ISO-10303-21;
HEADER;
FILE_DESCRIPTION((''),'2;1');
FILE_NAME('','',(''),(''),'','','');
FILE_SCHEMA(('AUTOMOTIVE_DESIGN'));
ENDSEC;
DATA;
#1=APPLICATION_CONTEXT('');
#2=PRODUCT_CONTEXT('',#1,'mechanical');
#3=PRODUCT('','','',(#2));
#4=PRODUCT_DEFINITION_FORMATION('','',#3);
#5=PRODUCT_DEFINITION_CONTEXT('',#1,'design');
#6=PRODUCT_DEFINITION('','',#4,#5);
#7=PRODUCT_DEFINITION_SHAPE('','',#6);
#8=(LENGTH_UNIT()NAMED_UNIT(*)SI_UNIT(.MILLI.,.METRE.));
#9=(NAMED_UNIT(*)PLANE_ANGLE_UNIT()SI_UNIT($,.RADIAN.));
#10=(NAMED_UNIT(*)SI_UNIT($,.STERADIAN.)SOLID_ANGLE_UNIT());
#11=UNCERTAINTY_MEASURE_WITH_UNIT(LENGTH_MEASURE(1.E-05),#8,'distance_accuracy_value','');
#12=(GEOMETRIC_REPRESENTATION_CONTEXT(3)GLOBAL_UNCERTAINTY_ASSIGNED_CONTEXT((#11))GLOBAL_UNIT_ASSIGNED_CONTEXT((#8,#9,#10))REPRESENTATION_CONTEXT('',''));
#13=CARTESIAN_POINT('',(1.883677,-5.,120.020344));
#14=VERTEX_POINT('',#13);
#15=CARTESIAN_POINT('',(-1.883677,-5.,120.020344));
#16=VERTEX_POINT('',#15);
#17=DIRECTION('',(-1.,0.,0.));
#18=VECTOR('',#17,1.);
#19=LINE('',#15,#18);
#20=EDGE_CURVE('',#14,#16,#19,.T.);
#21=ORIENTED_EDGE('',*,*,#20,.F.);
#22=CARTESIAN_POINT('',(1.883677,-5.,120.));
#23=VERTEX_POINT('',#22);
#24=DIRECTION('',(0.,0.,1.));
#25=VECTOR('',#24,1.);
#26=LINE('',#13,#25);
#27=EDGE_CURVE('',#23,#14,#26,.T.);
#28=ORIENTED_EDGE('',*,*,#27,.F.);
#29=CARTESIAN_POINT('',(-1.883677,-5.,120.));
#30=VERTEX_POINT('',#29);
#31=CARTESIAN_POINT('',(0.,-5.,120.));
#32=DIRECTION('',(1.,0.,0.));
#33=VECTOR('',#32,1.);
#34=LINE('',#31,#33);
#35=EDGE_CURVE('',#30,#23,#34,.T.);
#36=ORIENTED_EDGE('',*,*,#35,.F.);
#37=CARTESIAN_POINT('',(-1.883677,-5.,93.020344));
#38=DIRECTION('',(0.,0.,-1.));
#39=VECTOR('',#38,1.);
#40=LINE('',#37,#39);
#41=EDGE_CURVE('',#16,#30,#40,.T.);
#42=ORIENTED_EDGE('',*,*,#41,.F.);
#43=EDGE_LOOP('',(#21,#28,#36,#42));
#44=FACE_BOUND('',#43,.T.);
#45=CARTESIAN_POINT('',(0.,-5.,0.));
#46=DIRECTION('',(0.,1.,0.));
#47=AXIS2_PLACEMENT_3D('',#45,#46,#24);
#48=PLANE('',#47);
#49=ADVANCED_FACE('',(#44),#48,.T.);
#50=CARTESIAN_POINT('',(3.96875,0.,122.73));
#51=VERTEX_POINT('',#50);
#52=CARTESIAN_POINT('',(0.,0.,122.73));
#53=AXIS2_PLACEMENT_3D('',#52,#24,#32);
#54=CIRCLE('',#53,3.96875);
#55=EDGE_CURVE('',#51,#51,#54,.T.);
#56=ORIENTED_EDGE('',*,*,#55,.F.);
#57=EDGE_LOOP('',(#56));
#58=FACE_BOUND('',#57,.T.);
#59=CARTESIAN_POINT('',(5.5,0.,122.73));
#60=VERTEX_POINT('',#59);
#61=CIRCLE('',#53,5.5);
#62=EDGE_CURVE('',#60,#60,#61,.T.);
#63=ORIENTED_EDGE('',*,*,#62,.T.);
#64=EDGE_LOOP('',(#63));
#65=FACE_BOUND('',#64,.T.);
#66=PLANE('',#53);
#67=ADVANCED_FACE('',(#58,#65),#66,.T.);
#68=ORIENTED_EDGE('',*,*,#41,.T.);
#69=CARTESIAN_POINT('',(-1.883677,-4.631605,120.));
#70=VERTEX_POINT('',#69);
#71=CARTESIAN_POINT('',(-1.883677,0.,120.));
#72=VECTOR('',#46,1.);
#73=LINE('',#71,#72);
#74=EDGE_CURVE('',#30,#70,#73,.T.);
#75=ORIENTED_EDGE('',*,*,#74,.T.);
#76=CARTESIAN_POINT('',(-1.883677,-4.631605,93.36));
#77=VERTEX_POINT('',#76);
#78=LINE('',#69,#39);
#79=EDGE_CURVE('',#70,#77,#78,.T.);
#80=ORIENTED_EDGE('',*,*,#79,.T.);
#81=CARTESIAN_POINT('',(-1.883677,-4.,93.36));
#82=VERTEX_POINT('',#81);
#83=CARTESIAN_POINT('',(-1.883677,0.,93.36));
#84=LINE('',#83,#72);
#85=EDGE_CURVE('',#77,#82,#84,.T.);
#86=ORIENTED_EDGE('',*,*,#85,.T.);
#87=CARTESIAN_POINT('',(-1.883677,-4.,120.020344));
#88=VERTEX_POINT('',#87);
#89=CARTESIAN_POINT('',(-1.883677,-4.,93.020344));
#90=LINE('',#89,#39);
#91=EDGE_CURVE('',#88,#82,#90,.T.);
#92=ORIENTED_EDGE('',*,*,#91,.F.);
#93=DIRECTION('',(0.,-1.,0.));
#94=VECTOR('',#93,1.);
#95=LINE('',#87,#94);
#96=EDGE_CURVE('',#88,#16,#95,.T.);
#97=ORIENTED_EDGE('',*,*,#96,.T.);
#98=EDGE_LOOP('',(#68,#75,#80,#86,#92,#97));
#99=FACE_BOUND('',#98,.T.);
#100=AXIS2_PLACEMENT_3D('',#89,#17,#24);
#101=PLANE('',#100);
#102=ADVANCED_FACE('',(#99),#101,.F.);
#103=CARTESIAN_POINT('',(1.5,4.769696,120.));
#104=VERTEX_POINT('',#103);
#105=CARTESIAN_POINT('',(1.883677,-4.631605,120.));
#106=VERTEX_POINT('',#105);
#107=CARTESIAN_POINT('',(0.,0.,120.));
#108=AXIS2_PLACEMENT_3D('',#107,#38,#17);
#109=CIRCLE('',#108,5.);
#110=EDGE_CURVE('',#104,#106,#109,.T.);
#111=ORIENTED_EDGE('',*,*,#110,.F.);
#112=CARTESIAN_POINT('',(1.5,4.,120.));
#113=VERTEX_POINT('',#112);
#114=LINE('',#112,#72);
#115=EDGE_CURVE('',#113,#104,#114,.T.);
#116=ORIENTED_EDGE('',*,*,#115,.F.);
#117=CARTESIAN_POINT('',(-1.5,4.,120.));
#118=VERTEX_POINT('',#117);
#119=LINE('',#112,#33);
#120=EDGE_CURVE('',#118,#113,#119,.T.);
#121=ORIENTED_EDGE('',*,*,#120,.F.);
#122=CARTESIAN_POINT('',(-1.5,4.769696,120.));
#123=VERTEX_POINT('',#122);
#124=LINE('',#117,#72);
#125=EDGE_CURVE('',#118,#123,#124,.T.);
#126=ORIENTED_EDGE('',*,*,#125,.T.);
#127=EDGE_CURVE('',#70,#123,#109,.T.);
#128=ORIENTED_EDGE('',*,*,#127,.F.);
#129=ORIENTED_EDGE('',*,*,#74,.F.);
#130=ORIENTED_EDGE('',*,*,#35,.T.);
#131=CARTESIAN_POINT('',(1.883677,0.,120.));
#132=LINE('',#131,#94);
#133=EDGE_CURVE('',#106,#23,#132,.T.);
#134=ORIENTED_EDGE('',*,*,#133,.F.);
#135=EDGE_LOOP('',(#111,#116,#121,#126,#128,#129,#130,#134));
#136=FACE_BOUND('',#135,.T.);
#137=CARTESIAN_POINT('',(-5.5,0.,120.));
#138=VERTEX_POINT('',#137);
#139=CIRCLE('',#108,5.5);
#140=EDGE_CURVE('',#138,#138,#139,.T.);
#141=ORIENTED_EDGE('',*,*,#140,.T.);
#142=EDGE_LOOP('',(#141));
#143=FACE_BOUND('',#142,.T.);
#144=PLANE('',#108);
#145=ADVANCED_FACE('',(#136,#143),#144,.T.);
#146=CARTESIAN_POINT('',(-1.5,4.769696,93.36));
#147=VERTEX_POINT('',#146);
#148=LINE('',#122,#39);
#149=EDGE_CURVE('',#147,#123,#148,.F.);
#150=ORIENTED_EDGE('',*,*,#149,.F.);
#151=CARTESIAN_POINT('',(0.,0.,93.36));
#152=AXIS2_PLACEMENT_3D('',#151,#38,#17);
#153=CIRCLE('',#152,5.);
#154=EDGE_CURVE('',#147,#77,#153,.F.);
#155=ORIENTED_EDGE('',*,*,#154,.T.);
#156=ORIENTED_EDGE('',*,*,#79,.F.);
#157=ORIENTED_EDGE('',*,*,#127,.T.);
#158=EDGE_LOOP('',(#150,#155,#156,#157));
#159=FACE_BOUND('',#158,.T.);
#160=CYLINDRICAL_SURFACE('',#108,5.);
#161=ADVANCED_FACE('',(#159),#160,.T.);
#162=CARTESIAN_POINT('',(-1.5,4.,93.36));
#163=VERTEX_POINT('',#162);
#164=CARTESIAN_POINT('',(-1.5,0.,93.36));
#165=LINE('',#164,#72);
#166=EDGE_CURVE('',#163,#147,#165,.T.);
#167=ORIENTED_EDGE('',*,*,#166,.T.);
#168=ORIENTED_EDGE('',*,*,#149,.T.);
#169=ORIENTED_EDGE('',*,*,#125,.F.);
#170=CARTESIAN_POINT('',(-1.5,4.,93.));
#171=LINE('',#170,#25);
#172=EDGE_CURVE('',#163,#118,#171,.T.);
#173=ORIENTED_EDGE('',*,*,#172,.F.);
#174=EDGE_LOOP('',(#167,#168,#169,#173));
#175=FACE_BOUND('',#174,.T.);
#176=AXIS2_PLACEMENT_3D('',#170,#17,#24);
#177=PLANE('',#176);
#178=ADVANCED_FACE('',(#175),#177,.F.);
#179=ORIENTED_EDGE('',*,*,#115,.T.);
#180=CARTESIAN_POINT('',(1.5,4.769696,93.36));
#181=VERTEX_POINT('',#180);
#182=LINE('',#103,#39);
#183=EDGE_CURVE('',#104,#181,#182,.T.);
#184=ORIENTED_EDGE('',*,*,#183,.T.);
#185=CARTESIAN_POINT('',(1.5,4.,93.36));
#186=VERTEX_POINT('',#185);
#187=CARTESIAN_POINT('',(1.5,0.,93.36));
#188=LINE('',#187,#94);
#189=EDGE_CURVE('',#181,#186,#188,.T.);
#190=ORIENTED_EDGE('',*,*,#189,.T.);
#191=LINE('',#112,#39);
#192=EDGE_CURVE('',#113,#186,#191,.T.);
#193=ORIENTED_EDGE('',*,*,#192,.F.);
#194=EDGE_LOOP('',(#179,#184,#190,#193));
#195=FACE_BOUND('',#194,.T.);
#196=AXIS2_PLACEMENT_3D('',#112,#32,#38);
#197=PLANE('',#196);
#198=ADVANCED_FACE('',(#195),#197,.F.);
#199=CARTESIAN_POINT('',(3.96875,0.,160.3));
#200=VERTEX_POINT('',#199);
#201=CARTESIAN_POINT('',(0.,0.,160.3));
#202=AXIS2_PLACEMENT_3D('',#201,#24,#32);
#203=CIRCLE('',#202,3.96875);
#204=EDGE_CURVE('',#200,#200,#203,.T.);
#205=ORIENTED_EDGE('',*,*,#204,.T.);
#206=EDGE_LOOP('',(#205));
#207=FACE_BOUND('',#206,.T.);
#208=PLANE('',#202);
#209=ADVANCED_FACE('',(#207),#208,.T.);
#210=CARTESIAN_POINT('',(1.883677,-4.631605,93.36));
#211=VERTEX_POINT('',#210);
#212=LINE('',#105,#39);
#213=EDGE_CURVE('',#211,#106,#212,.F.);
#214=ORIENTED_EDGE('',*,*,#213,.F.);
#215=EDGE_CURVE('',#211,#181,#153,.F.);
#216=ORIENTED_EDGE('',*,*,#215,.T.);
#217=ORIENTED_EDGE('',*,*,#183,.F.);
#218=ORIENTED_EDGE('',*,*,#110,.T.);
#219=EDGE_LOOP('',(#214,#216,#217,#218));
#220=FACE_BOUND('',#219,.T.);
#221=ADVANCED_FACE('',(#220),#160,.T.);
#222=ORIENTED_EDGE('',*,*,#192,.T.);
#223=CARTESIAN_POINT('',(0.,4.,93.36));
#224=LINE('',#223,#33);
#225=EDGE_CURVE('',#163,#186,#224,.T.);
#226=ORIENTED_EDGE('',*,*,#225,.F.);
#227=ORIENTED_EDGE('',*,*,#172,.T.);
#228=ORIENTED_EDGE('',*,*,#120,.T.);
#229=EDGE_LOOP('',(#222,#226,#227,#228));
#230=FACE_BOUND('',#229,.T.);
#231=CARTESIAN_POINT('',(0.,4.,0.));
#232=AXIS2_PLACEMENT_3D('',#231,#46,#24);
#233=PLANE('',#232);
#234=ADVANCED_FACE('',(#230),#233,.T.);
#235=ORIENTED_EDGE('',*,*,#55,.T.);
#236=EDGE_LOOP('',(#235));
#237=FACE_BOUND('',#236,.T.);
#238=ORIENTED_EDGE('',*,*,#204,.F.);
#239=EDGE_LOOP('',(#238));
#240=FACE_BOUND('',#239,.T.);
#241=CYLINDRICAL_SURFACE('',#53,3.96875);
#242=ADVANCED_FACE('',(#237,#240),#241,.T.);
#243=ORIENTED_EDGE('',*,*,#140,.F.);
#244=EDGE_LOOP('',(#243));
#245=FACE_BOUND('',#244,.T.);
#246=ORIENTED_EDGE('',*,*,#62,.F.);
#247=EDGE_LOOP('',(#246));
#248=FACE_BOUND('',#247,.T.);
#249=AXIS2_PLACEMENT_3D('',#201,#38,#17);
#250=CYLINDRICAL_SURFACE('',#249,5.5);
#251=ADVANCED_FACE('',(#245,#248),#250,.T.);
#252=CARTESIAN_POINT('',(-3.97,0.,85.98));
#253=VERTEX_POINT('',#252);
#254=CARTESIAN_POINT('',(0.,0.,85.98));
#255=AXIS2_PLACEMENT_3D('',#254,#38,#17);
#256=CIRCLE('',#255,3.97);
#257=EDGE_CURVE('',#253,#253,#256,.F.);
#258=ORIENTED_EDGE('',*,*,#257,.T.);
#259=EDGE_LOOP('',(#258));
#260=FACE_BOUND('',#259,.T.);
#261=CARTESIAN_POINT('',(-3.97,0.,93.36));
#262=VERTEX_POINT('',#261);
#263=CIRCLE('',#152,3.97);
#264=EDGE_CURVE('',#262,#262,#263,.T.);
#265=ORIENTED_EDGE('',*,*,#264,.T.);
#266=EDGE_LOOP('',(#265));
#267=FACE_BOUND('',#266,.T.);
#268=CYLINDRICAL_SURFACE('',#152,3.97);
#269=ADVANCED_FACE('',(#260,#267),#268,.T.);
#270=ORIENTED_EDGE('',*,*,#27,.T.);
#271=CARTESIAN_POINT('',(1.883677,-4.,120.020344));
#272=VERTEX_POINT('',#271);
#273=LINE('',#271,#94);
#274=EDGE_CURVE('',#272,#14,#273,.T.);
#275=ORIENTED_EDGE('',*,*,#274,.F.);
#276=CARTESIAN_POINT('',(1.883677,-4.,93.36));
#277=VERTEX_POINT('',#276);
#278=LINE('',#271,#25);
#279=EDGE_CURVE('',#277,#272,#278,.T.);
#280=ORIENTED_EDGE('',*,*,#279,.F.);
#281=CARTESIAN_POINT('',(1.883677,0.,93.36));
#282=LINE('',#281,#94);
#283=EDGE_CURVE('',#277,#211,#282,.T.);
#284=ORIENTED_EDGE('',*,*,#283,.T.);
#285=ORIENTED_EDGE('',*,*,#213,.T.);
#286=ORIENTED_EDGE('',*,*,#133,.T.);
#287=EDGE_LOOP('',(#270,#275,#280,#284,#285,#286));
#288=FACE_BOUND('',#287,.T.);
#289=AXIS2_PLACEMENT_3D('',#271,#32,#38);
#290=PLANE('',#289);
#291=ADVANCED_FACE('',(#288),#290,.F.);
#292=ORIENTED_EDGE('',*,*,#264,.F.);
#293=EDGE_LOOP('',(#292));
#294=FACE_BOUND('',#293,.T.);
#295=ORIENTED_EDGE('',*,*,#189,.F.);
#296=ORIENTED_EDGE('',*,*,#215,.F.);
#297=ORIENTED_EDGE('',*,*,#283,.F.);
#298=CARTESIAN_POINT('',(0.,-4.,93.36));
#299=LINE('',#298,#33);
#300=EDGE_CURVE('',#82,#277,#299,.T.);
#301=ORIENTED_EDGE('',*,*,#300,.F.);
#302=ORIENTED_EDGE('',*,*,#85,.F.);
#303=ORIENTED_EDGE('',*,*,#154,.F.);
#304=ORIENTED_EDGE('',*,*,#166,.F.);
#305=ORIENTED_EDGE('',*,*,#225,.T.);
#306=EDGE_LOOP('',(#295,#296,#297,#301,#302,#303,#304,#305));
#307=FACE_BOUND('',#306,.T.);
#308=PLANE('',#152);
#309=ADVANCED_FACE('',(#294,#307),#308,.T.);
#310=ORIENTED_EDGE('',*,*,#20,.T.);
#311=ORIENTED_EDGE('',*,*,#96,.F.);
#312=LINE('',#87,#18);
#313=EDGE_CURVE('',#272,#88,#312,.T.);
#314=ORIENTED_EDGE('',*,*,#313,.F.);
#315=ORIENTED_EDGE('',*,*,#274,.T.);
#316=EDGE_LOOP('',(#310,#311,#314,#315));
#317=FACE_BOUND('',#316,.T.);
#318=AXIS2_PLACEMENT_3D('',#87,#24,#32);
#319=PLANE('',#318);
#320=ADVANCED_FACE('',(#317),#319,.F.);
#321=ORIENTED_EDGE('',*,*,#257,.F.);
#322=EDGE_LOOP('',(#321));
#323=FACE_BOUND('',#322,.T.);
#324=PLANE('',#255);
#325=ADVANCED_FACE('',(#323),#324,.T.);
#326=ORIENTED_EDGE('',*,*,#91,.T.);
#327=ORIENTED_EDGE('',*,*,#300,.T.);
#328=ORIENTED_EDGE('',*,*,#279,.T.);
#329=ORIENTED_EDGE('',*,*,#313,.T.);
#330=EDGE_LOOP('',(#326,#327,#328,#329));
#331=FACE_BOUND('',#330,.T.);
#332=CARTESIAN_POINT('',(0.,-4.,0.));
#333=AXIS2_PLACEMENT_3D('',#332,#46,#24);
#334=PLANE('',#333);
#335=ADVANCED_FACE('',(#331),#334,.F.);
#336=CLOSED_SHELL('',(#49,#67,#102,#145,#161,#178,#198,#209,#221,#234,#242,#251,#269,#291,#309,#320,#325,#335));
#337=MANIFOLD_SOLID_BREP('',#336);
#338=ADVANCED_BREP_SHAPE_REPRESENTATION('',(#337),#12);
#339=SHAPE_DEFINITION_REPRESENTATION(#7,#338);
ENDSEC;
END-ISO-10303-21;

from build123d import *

# Parameters (mm, degrees)
SKETCH1_R           = 5.5
BOSS_EXTRUDE1_DEPTH = 160.3
SKETCH3_OUTSIDE_W   = 45.21
SKETCH3_OUTSIDE_H   = 45.21
SKETCH3_OUTSIDE_R   = 5
CUT_EXTRUDE2_DEPTH  = 120
SKETCH4_OUTSIDE_W   = 45.21
SKETCH4_OUTSIDE_H   = 45.21
SKETCH4_OUTSIDE_R   = 3.96875
CUT_EXTRUDE3_DEPTH  = 37.57
SKETCH5_OUTSIDE_W   = 45.21
SKETCH5_OUTSIDE_H   = 45.21
SKETCH5_OUTSIDE_R   = 3.97
CUT_EXTRUDE4_DEPTH  = 93.36
SKETCH9_W           = 3
SKETCH9_H           = 27
CUT_EXTRUDE6_DEPTH  = 1
SKETCH11_W          = 3.767354336
SKETCH11_H          = 27
CUT_EXTRUDE7_DEPTH  = 1
SKETCH12_R          = 15.914705016
CUT_EXTRUDE8_DEPTH  = 85.98


with BuildPart() as part:
    # Sketch1 → Boss-Extrude1 (new body)
    with BuildSketch(Plane.XY):
        Circle(SKETCH1_R)
    extrude(amount=BOSS_EXTRUDE1_DEPTH)

    # Sketch3 outside → Cut-Extrude2 (cut)
    with BuildSketch(Plane(origin=(0, 0, 0), x_dir=(-1, 0, 0), z_dir=(0, 0, -1))):
        Rectangle(SKETCH3_OUTSIDE_W, SKETCH3_OUTSIDE_H)
        Circle(SKETCH3_OUTSIDE_R, mode=Mode.SUBTRACT)
    extrude(amount=-CUT_EXTRUDE2_DEPTH, mode=Mode.SUBTRACT)

    # Sketch4 outside → Cut-Extrude3 (cut)
    with BuildSketch(Plane.XY.offset(160.3)):
        Rectangle(SKETCH4_OUTSIDE_W, SKETCH4_OUTSIDE_H)
        Circle(SKETCH4_OUTSIDE_R, mode=Mode.SUBTRACT)
    extrude(amount=-CUT_EXTRUDE3_DEPTH, mode=Mode.SUBTRACT)

    # Sketch5 outside → Cut-Extrude4 (cut)
    with BuildSketch(Plane(origin=(0, 0, 0), x_dir=(-1, 0, 0), z_dir=(0, 0, -1))):
        Rectangle(SKETCH5_OUTSIDE_W, SKETCH5_OUTSIDE_H)
        Circle(SKETCH5_OUTSIDE_R, mode=Mode.SUBTRACT)
    extrude(amount=-CUT_EXTRUDE4_DEPTH, mode=Mode.SUBTRACT)

    # Sketch9 → Cut-Extrude6 (cut)
    with BuildSketch(Plane(origin=(0, 5, 0), x_dir=(1, 0, 0), z_dir=(0, 1, 0))):
        with Locations((0, -106.5)):
            Rectangle(SKETCH9_W, SKETCH9_H)
    extrude(amount=-CUT_EXTRUDE6_DEPTH, mode=Mode.SUBTRACT)

    # Sketch11 → Cut-Extrude7 (cut)
    with BuildSketch(Plane(origin=(0, -5, 0), x_dir=(-1, 0, 0), z_dir=(0, -1, 0))):
        with Locations((0, -106.520343873)):
            Rectangle(SKETCH11_W, SKETCH11_H)
    extrude(amount=-CUT_EXTRUDE7_DEPTH, mode=Mode.SUBTRACT)

    # Sketch12 → Cut-Extrude8 (cut)
    with BuildSketch(Plane(origin=(0, 0, 0), x_dir=(-1, 0, 0), z_dir=(0, 0, -1))):
        Circle(SKETCH12_R)
    extrude(amount=-CUT_EXTRUDE8_DEPTH, mode=Mode.SUBTRACT)


solid = part.part
